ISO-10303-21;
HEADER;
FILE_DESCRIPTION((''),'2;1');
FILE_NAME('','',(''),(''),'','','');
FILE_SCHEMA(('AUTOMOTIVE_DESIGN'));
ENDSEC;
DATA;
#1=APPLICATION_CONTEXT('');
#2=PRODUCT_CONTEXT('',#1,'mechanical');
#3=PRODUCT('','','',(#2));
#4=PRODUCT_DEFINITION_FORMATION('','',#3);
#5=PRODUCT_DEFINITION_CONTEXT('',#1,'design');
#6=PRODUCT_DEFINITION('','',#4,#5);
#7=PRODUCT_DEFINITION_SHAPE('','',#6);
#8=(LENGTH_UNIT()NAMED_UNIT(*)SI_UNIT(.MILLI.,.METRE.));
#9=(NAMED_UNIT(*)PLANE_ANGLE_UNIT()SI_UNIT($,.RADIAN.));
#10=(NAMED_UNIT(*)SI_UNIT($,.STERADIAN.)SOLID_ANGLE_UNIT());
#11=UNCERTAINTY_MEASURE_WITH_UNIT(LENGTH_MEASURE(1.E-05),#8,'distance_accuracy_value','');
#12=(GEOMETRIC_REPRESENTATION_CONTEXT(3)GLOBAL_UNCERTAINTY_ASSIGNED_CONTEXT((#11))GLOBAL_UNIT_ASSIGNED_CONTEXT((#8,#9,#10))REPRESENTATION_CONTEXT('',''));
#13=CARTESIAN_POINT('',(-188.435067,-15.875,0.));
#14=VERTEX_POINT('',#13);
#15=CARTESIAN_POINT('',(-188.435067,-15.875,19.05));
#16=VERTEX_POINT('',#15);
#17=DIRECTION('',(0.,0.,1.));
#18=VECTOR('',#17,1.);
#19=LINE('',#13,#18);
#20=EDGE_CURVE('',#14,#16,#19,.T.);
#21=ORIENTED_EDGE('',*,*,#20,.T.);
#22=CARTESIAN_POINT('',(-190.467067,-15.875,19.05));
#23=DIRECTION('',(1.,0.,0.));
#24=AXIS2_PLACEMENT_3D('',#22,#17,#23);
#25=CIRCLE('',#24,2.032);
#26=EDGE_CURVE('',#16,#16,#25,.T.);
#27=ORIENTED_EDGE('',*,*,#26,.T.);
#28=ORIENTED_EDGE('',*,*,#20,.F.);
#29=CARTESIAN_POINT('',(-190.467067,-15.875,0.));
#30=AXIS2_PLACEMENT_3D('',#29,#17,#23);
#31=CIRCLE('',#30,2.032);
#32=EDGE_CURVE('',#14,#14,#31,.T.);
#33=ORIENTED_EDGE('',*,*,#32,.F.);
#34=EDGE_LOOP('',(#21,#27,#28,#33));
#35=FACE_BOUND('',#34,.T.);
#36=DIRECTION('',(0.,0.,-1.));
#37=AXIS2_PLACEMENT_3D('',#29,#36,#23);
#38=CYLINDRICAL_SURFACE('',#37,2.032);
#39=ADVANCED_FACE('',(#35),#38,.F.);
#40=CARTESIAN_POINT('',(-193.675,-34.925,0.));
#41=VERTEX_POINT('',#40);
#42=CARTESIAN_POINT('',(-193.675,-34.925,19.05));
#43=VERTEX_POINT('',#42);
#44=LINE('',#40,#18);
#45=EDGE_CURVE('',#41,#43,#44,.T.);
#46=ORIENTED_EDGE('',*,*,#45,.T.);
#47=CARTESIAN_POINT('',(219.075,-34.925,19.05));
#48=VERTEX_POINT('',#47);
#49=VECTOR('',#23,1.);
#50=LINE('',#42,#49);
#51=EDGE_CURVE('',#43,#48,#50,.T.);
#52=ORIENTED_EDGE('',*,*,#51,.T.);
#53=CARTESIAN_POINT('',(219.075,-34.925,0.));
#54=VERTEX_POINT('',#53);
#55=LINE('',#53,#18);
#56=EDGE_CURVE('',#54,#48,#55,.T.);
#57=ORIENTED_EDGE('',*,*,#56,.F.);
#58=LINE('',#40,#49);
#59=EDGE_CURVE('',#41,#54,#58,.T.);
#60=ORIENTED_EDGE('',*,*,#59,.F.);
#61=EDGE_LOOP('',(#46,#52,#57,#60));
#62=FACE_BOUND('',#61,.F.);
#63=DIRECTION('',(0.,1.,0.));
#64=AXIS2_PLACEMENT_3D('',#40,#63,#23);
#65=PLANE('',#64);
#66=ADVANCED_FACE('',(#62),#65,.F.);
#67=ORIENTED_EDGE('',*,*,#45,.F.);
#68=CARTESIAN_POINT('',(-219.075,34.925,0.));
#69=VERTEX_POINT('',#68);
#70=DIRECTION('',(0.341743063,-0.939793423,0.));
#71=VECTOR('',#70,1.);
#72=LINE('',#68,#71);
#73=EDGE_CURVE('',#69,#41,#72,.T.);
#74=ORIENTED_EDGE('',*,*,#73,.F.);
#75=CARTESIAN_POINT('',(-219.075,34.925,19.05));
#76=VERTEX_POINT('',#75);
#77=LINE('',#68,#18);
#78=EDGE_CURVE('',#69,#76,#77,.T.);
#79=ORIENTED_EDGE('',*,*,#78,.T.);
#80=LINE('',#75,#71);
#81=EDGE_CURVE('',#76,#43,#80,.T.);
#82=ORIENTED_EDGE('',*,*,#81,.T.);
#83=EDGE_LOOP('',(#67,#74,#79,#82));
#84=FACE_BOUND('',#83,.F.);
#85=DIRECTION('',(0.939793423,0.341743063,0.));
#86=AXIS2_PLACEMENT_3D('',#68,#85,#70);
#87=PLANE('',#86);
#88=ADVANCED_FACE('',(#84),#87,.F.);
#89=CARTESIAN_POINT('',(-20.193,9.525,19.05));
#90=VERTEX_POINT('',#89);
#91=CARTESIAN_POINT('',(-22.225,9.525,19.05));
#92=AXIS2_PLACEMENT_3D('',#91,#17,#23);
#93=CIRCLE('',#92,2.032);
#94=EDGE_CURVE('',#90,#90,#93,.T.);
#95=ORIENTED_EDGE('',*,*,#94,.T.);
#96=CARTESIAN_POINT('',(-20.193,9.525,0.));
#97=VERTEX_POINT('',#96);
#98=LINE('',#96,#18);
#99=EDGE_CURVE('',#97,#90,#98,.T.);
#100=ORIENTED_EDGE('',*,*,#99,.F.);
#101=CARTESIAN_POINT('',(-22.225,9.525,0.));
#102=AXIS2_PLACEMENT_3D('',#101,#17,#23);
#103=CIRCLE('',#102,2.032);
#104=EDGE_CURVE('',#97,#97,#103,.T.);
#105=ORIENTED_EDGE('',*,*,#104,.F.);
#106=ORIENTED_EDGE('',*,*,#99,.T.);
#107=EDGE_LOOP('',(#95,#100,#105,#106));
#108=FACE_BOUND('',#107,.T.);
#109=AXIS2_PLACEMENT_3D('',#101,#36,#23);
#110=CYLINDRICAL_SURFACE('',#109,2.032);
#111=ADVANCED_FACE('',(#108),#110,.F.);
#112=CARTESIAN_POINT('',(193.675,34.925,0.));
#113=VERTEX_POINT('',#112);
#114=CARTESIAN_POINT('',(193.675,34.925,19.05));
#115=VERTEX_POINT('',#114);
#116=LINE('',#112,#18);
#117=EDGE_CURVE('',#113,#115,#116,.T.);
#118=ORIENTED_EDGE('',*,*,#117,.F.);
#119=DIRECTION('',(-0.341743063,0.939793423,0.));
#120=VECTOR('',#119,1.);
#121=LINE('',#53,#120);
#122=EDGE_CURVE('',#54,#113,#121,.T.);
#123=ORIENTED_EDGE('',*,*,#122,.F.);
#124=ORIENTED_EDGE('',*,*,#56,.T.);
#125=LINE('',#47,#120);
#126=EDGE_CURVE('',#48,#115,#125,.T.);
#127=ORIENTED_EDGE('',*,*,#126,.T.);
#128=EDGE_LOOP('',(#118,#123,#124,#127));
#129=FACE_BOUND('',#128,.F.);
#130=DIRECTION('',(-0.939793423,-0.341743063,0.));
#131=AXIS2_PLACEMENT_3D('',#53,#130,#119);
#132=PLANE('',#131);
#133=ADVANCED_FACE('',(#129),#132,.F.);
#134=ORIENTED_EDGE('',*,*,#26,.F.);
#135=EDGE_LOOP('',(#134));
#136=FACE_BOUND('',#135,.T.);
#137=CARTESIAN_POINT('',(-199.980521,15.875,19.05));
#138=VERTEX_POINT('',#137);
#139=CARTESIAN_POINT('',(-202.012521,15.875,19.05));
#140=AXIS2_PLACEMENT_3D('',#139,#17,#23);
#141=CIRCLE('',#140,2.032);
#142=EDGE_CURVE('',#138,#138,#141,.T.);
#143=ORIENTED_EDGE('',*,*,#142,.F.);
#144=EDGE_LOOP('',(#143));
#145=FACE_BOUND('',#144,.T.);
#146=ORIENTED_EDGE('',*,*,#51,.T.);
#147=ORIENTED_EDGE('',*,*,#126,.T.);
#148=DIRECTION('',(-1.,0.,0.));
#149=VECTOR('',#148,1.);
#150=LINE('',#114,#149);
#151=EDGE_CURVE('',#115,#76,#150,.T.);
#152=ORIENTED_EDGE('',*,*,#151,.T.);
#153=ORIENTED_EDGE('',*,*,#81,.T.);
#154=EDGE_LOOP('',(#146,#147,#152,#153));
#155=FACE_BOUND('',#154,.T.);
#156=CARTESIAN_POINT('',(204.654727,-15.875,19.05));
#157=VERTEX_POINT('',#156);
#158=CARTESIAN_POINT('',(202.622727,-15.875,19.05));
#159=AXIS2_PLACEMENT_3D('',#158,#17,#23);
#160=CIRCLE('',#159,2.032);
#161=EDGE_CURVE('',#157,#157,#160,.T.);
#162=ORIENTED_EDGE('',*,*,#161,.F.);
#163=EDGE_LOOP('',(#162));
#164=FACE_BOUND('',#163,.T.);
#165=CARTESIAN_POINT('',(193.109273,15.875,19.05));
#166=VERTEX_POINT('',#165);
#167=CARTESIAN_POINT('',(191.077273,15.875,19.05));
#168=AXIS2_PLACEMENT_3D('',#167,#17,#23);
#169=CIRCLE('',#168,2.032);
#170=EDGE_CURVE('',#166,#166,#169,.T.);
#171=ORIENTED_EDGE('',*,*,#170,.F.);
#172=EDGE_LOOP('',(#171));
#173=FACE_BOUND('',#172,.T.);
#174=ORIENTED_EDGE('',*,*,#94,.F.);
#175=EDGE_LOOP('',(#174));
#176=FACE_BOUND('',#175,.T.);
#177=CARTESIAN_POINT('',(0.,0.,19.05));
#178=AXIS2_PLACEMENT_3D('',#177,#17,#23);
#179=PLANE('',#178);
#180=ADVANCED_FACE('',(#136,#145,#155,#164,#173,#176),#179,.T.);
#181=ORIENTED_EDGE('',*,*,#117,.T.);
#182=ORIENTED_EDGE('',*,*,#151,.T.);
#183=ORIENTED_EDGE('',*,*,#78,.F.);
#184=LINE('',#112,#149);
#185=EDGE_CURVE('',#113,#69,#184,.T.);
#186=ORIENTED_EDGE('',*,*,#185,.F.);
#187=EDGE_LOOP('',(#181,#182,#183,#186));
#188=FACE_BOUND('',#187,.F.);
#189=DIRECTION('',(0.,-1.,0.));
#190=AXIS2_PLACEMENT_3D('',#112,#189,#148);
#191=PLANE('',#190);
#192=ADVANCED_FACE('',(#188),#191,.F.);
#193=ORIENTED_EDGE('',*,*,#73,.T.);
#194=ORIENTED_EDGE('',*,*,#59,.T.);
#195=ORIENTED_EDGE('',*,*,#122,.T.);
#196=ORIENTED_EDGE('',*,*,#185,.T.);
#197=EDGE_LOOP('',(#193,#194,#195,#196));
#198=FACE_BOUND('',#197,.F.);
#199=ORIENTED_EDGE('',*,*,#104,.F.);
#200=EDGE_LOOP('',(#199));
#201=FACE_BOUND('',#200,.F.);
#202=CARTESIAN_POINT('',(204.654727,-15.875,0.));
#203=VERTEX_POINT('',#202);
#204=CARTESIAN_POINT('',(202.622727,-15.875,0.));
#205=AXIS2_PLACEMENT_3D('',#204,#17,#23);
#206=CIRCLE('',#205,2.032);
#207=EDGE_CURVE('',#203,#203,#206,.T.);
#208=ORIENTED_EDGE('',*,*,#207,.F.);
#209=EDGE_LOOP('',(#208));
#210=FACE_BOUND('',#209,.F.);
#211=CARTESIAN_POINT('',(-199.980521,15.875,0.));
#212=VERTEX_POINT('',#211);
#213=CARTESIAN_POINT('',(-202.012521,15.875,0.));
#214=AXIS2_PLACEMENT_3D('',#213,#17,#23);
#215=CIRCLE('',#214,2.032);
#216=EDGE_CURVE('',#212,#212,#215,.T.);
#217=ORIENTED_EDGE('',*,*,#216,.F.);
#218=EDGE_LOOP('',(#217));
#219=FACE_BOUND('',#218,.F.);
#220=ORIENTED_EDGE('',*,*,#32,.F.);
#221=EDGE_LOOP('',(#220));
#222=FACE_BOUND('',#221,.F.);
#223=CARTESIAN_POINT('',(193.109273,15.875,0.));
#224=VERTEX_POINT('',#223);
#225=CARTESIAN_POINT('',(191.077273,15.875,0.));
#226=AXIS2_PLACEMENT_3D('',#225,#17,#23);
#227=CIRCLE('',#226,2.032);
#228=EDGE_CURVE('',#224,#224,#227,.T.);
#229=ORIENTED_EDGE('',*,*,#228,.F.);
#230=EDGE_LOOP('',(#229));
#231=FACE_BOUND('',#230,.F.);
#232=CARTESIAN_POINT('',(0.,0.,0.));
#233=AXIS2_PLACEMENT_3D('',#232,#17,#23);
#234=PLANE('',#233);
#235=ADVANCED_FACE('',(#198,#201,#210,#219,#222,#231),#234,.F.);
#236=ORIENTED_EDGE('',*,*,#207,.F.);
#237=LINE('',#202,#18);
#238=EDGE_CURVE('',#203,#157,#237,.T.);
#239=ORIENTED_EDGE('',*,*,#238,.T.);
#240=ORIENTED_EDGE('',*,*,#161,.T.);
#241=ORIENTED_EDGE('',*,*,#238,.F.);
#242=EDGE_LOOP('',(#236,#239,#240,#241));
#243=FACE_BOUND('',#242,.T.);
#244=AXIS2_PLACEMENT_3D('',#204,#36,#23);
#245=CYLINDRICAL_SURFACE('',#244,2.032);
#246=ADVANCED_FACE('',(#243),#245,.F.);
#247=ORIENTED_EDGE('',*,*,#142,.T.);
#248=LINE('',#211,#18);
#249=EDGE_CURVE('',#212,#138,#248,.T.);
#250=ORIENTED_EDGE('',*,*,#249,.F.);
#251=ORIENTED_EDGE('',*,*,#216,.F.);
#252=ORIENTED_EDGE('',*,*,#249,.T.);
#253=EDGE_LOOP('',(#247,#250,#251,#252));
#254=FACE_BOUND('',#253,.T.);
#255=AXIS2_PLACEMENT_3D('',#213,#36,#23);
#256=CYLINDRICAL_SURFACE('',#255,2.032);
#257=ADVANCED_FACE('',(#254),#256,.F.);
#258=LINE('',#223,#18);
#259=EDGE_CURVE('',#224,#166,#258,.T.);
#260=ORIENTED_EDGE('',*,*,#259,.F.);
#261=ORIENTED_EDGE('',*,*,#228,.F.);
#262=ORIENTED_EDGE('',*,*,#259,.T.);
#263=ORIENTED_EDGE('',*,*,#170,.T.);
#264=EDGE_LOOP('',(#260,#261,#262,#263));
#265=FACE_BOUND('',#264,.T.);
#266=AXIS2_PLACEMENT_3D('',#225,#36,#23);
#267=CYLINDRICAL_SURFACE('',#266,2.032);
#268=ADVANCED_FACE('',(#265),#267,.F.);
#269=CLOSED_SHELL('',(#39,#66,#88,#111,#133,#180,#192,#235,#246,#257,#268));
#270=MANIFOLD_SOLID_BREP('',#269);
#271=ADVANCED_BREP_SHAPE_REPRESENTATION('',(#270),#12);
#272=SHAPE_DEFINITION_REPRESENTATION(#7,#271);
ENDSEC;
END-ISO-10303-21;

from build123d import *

# Parameters (mm, degrees)
F0_R     = 2.032
F1_DEPTH = 19.05


with BuildPart() as f1:
    # F0 (on Top) → F1 (new body)
    with BuildSketch(Plane.XY):
        Polygon((193.675, 34.925), (-219.075, 34.925), (-193.675, -34.925), (219.075, -34.925), align=None)
        with Locations((-190.467067, -15.875)):
            Circle(F0_R, mode=Mode.SUBTRACT)
        with Locations((202.622727, -15.875)):
            Circle(F0_R, mode=Mode.SUBTRACT)
        with Locations((-202.012521, 15.875)):
            Circle(F0_R, mode=Mode.SUBTRACT)
        with Locations((-22.225, 9.525)):
            Circle(F0_R, mode=Mode.SUBTRACT)
        with Locations((191.077273, 15.875)):
            Circle(F0_R, mode=Mode.SUBTRACT)
    extrude(amount=F1_DEPTH)


solid = f1.part
